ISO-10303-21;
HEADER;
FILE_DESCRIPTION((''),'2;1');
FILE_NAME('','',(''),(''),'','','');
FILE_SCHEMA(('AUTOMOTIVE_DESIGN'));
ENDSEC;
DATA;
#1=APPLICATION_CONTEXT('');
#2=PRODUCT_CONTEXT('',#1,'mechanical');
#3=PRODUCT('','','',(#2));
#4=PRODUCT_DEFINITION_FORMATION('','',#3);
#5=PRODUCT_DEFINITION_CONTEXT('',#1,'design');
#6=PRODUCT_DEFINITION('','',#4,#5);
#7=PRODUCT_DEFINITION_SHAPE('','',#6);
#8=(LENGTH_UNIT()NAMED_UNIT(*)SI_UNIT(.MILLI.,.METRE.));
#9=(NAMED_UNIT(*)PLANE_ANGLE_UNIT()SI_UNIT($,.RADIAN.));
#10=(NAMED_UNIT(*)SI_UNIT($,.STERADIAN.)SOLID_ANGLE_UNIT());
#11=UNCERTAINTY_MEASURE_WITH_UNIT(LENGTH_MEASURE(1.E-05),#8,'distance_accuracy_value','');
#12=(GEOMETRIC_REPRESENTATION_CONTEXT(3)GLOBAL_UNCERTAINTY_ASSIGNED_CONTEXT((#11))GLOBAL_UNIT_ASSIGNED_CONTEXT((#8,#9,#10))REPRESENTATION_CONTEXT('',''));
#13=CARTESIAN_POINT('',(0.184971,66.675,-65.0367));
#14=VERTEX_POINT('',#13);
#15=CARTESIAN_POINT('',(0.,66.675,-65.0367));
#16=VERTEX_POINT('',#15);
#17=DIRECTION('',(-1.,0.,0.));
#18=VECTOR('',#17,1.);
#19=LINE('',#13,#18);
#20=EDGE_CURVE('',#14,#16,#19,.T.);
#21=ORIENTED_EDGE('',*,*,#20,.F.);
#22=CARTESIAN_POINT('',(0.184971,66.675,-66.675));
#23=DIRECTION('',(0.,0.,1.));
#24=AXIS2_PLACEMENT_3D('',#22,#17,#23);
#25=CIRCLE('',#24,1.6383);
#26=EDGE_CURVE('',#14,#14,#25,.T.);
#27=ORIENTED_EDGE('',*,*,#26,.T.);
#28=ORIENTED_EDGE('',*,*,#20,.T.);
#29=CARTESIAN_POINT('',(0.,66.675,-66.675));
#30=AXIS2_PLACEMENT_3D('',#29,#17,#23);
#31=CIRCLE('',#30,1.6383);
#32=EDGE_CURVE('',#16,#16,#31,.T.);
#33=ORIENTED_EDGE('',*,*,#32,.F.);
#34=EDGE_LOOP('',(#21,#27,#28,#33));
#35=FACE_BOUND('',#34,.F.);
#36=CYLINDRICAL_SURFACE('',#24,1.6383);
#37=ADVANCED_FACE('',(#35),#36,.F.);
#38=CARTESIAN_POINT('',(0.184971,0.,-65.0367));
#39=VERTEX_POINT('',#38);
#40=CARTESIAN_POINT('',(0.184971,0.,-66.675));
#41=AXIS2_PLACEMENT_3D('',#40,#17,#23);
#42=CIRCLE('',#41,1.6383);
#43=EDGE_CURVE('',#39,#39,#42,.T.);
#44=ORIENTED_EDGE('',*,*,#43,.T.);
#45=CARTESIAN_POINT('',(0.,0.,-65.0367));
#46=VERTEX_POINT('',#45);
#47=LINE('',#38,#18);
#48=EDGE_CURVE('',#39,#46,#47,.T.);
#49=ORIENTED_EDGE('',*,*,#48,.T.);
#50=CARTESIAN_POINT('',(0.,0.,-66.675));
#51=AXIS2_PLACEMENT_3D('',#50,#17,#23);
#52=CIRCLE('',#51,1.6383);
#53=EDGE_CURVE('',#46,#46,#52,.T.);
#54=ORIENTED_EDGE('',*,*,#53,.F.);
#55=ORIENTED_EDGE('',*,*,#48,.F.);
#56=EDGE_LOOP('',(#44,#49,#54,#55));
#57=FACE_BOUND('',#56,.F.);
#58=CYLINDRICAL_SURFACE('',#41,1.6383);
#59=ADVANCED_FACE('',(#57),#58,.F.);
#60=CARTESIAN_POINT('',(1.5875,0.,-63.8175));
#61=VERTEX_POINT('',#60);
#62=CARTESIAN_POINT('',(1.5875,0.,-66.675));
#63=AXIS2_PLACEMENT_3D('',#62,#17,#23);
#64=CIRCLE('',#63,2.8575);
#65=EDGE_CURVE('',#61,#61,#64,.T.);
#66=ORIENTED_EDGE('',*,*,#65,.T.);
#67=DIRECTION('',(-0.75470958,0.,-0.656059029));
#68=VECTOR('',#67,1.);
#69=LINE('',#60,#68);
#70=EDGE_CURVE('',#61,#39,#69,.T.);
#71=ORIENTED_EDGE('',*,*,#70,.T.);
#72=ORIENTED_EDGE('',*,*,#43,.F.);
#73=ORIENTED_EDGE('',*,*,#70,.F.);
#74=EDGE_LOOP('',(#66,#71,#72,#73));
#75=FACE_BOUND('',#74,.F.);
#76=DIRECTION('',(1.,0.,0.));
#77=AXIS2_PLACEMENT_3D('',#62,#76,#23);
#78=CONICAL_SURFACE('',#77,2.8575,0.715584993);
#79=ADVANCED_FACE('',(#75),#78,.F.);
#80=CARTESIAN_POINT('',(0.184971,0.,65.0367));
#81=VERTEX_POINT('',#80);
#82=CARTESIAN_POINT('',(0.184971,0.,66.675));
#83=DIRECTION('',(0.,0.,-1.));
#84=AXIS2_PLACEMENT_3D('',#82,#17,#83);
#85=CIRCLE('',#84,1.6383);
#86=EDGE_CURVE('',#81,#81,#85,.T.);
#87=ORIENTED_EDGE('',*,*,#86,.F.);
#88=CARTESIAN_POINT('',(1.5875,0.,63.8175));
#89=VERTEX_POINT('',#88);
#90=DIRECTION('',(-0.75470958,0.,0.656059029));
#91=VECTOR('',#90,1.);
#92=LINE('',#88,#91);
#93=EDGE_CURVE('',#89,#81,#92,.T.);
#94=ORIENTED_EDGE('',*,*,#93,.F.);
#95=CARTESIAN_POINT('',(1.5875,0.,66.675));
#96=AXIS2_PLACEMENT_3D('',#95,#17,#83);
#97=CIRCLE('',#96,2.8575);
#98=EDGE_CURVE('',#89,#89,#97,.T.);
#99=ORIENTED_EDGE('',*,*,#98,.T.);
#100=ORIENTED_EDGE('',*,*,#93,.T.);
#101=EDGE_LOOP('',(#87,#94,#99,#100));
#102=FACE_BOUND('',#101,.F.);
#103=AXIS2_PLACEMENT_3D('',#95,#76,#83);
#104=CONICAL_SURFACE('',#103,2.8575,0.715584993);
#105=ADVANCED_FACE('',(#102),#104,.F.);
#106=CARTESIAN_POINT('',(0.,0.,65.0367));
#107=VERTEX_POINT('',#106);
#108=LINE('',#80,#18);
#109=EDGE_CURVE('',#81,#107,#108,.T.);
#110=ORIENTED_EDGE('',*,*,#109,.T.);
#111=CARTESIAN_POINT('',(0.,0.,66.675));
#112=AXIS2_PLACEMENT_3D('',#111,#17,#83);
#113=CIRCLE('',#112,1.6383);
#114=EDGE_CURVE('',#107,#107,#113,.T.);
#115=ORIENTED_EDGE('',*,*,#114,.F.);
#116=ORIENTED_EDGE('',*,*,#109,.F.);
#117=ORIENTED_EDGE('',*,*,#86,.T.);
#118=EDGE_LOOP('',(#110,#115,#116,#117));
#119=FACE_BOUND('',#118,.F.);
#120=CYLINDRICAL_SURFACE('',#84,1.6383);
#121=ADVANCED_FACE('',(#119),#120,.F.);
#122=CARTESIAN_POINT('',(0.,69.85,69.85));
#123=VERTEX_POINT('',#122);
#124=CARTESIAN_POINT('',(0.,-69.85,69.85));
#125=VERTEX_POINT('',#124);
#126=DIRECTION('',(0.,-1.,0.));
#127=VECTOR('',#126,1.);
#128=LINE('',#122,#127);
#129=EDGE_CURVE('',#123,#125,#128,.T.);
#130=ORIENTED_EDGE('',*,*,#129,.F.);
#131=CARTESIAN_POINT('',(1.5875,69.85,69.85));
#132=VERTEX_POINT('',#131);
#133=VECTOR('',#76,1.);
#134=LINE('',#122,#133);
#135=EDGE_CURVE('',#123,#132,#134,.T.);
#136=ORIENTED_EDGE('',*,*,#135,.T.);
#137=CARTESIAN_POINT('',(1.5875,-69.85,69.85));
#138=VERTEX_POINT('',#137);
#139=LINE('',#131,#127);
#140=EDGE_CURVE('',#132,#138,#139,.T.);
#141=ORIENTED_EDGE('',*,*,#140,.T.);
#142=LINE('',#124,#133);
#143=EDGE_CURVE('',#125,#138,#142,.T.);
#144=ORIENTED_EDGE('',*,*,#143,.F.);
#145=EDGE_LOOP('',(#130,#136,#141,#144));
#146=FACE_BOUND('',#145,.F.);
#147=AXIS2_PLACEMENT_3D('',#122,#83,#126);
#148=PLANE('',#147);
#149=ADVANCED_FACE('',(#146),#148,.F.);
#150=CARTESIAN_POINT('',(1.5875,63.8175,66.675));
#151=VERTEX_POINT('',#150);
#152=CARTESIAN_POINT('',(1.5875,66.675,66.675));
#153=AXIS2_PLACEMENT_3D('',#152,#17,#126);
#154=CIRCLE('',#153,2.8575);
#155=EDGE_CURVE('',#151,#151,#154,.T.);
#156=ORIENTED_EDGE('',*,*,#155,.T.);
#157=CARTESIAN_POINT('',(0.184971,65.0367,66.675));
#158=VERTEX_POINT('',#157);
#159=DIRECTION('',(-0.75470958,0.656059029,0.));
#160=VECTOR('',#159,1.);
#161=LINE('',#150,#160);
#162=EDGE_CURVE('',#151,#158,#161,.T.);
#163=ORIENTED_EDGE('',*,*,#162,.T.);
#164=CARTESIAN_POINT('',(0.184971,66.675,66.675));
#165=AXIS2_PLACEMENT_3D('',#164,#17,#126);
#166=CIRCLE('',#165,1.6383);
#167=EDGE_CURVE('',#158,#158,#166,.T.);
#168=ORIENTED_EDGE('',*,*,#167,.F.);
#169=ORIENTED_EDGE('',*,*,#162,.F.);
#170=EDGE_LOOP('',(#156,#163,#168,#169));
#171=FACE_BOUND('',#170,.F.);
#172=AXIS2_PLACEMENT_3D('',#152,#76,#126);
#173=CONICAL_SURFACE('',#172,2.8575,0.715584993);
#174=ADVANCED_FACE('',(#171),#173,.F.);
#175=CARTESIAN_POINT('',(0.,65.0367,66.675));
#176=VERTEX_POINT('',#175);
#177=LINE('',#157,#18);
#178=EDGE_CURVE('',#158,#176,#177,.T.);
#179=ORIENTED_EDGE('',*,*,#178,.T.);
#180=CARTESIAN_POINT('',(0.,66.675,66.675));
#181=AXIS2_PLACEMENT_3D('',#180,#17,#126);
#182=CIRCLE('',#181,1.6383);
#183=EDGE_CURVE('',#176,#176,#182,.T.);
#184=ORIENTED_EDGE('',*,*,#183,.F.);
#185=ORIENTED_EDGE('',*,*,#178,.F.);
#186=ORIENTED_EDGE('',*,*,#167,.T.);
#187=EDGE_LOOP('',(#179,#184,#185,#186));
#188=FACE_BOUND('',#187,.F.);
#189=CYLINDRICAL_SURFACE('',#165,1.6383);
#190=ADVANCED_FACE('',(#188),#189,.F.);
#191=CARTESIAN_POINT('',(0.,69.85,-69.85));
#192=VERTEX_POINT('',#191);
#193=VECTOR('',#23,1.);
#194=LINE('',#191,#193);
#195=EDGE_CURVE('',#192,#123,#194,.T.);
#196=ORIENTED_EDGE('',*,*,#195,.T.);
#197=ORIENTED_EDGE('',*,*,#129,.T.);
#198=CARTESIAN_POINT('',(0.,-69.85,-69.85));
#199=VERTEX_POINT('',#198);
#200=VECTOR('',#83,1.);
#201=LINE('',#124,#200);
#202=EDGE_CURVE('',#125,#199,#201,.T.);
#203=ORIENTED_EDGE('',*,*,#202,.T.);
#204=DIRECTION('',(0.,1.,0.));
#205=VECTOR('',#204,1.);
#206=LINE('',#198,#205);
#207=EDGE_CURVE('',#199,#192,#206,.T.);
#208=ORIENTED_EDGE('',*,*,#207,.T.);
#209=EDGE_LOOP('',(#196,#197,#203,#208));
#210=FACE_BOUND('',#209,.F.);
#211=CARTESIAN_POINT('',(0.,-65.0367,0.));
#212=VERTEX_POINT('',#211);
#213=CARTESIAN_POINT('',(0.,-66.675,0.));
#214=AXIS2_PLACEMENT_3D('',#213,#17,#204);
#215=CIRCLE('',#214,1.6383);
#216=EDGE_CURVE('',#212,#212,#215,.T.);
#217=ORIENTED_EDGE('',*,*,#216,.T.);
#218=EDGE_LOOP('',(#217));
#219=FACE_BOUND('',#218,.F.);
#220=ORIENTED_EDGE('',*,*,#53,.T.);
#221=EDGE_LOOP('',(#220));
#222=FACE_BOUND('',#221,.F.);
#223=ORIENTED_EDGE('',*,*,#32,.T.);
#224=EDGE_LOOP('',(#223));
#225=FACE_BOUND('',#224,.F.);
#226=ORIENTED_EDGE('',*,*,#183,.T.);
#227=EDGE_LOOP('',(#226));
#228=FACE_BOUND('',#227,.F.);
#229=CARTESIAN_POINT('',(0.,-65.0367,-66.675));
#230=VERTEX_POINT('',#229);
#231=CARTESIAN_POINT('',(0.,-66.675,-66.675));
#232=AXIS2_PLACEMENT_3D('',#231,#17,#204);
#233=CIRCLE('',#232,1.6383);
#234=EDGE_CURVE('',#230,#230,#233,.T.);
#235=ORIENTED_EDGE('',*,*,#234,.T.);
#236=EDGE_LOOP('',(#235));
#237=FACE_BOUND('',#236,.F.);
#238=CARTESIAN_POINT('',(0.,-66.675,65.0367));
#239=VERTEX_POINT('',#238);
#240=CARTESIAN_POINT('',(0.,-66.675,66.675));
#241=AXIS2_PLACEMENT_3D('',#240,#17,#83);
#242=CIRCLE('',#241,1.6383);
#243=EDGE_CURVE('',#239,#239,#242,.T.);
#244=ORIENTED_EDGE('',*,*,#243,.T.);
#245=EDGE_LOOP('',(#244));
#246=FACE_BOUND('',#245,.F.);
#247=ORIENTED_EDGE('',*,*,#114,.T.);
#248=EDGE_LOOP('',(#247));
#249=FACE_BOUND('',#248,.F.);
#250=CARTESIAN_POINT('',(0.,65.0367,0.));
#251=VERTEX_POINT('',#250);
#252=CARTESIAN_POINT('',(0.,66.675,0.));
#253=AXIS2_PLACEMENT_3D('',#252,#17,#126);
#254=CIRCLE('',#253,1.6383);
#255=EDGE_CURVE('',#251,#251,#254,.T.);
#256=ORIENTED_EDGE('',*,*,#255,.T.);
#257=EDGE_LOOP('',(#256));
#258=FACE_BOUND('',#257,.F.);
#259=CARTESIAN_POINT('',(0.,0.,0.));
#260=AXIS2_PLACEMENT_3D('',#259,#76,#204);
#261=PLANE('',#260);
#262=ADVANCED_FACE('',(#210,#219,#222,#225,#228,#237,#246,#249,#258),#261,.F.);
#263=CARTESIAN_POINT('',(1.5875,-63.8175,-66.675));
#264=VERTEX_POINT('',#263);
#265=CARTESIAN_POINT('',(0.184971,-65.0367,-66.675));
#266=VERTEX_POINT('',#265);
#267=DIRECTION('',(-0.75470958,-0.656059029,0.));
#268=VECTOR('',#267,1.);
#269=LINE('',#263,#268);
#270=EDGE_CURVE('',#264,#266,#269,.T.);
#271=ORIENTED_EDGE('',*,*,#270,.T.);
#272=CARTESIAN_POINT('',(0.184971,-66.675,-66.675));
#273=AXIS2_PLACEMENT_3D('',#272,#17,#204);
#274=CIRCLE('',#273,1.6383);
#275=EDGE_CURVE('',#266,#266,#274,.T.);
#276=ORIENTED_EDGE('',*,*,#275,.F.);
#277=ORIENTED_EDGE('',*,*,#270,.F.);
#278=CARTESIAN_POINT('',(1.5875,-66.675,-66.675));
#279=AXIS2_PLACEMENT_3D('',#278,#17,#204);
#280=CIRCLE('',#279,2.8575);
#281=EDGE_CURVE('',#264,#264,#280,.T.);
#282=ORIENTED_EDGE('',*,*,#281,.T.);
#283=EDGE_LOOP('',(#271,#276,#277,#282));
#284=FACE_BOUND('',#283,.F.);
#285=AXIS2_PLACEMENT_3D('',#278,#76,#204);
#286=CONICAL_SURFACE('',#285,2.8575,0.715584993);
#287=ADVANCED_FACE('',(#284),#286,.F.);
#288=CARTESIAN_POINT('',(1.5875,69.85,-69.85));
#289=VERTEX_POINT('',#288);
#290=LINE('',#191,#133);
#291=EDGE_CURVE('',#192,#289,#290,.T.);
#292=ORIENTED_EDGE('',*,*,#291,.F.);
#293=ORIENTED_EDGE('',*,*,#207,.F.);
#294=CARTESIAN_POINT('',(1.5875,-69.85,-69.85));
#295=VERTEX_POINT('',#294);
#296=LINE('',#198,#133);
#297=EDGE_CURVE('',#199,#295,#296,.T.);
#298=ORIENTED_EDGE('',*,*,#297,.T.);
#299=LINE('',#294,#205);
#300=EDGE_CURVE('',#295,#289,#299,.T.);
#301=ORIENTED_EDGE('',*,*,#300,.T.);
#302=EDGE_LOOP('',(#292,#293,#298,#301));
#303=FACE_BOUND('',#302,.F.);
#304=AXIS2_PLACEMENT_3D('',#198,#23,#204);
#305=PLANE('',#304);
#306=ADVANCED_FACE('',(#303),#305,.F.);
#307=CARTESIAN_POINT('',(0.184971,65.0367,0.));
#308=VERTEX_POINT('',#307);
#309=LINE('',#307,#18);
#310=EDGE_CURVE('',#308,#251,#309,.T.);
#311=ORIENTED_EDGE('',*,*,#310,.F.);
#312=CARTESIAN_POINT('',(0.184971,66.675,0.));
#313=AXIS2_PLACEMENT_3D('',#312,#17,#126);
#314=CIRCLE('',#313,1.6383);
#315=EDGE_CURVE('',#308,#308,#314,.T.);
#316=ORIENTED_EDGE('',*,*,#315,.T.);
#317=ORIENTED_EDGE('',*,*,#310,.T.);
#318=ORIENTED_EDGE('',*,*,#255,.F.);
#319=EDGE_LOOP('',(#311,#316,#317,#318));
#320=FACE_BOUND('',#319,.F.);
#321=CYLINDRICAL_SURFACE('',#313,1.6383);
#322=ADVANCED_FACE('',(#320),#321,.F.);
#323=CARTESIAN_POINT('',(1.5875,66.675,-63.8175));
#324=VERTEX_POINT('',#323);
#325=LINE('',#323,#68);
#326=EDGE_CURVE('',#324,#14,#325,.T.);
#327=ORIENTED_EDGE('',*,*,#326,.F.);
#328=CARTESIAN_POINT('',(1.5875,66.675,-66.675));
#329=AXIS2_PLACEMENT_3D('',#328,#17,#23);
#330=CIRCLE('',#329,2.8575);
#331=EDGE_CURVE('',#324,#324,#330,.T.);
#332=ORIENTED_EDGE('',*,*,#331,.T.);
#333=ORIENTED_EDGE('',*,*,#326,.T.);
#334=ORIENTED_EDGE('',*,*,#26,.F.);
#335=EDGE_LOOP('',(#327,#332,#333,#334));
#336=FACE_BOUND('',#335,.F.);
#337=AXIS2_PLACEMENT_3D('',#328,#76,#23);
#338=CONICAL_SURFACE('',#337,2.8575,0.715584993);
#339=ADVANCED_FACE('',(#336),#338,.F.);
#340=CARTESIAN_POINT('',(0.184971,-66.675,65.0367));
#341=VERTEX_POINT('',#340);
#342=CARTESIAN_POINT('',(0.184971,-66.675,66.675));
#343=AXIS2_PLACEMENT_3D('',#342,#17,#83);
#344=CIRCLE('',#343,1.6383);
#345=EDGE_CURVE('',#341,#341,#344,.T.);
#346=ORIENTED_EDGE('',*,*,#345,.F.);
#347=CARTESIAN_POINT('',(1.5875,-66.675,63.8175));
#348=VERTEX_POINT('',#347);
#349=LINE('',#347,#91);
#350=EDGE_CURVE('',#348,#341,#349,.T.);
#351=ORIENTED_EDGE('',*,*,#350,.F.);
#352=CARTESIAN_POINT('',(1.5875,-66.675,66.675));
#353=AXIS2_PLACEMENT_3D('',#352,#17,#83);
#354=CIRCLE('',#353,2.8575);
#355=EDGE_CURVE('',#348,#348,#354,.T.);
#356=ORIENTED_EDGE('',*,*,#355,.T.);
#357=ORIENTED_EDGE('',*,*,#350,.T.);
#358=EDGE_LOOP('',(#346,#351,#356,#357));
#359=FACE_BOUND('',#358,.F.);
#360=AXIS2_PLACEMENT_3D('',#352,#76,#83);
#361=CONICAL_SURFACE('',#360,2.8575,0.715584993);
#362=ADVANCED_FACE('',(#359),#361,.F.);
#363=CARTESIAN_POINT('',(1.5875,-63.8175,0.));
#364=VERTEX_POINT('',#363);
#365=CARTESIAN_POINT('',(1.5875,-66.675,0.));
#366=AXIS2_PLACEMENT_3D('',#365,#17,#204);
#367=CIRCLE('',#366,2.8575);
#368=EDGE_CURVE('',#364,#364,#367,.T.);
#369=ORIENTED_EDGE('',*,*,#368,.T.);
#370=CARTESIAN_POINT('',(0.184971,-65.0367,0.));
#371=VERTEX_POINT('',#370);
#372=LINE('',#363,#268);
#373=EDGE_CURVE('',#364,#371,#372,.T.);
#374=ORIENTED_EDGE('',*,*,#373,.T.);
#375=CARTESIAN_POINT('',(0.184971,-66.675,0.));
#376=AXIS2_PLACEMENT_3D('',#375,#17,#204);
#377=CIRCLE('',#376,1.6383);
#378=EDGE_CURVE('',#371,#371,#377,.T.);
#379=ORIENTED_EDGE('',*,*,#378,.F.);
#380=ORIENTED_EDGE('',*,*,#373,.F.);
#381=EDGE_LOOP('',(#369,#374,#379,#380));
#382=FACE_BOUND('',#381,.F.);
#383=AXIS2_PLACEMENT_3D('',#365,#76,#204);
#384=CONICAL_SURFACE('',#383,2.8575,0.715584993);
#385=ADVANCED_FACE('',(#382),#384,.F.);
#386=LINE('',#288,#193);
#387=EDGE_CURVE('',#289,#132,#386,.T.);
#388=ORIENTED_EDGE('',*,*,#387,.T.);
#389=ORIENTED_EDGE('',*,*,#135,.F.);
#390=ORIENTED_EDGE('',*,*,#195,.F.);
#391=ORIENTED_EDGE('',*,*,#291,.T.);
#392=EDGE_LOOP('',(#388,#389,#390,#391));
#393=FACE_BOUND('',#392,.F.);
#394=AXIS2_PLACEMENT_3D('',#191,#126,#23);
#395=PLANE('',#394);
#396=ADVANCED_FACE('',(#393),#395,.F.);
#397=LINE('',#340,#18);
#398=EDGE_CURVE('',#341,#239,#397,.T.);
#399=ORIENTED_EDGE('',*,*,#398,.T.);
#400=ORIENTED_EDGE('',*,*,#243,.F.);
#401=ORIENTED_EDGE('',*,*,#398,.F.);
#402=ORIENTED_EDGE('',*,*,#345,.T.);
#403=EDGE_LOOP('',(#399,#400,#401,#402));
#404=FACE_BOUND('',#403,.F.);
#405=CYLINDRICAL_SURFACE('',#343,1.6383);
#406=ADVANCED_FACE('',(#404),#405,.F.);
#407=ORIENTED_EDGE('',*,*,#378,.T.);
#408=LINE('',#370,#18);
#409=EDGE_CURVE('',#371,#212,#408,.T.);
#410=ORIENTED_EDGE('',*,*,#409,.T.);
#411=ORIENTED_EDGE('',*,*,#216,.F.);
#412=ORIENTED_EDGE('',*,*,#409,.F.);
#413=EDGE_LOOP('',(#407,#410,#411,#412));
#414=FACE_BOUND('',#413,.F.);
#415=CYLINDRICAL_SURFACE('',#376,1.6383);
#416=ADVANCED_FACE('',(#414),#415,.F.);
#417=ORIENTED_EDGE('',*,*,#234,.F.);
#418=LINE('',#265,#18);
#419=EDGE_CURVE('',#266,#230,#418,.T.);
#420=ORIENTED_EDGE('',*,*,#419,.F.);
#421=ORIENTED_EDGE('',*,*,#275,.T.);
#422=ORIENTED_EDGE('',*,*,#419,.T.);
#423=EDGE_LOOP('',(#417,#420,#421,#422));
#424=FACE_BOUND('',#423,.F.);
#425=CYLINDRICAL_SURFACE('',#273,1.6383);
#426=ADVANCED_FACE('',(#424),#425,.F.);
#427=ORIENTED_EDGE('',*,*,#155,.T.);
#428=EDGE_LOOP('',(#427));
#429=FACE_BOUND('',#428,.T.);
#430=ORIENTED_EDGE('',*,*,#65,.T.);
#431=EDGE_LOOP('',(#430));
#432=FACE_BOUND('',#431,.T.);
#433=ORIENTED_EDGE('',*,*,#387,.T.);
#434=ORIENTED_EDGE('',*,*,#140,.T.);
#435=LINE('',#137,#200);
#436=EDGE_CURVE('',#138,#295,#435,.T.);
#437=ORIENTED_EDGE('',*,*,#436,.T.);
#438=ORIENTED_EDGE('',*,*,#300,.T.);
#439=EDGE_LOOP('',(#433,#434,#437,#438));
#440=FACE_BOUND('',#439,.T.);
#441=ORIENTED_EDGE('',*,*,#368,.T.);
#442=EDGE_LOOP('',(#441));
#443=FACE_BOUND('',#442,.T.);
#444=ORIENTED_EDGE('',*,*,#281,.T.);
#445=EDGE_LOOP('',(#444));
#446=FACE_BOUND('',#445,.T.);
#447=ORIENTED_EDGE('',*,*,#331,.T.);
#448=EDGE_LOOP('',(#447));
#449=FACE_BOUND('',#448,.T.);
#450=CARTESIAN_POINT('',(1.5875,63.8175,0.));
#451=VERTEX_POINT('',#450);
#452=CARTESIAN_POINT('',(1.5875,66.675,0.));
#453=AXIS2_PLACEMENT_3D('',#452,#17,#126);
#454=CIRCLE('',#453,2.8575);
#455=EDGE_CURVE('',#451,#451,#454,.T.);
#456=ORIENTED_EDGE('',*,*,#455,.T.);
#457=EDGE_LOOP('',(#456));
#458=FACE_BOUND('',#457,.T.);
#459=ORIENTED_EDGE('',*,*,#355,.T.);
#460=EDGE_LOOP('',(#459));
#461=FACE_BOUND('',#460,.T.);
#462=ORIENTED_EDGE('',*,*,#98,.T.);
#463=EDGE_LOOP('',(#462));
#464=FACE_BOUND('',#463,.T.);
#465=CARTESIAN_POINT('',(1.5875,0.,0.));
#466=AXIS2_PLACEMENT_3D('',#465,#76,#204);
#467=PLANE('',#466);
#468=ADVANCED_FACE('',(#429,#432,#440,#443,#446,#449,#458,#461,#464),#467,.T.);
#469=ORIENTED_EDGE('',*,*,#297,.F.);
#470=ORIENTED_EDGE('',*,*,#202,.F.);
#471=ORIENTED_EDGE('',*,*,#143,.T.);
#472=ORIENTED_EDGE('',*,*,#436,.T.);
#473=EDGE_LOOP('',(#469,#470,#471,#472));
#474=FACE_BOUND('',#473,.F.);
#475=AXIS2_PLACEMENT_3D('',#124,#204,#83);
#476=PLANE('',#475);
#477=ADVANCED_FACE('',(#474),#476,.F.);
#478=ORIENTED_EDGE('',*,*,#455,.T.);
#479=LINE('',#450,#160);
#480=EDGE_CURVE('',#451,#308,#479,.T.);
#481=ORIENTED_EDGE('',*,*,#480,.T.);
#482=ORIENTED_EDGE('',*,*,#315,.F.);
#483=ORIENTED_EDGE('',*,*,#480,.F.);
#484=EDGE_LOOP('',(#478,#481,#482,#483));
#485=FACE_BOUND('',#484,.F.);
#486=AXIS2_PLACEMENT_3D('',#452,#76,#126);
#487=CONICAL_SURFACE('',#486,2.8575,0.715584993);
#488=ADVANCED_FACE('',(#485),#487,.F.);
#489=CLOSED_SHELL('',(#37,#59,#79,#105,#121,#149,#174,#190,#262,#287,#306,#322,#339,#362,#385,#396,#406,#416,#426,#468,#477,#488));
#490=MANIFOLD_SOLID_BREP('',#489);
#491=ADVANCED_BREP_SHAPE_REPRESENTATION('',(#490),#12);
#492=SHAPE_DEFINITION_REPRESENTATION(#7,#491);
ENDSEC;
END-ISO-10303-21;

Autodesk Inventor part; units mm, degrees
ref_plane "YZ Plane" through (0, 0, 0) normal (1, 0, 0) x (0, 1, 0)
ref_plane "XZ Plane" through (0, 0, 0) normal (0, 1, 0) x (-1, 0, 0)
ref_plane "XY Plane" through (0, 0, 0) normal (0, 0, 1) x (1, 0, 0)
sketch "Sketch1" plane through (0, 0, 0) normal (1, 0, 0) x (0, 1, 0)
  line L0 (-69.85, -69.85) -> (69.85, -69.85)
  line L1 (69.85, -69.85) -> (69.85, 69.85)
  line L2 (69.85, 69.85) -> (-69.85, 69.85)
  line L3 (-69.85, 69.85) -> (-69.85, -69.85)
  line L4 (-69.85, -69.85) -> (69.85, 69.85) construction
  line L5 (69.85, -69.85) -> (-69.85, 69.85) construction
  point P0 (0, 0)
  dimension "d0" = 139.7
  dimension "d1" = 139.7
extrude "Extrusion1" add sketch "Sketch1" along normal blind 1.5875
sketch "Sketch6" plane through (1.5875, 0, 0) normal (1, 0, 0) x (0, 0, -1)
  line L0 (69.85, -69.85) -> (69.85, 69.85) projected
  line L1 (69.85, 69.85) -> (-69.85, 69.85) projected
  line L2 (-69.85, 69.85) -> (-69.85, -69.85) projected
  line L3 (-69.85, -69.85) -> (69.85, -69.85) projected
  point P0 (0, 0)
  point P1 (-66.675, -66.675)
  point P2 (-66.675, 0)
  dimension "d45" = 3.175
  dimension "d46" = 3.175
  dimension "d57" = 69.85
hole "Hole4" at (1.5875, -66.675, 66.675) at (1.5875, 0, 66.675) direction (-1, 0, 0) diameter 3.2766 end through all countersink diameter 5.715 countersink angle 82 clearance for "Flat Head Machine Screw (82)" size "#4" standard "Ansi Unified Screw Threads"
pattern_circular "Circular Pattern1" count 4 over 360 about axis through (-10, 0, 0) along (1, 0, 0) of "Hole4"
equation "\"d0\" = width + 2 * plasticThickness"
equation "\"d1\" = height + 2 * plasticThickness"
equation "\"d2\" = frontPanelThickness"
equation "\"d45\" = 0.5 * caseThickness"
equation "\"d46\" = 0.5 * caseThickness"
equation "\"d57\" = 0.5 * width + caseThickness"
equation "\"height\" = 127"
equation "\"width\" = 127"
equation "\"plasticThickness\" = 6.35"
equation "\"caseThickness\" = 6.35"
equation "\"alignmentGrooveDepth\" = 1.5875"
equation "\"alignmentGrooveClearance\" = 0.1016"
equation "\"aerogelHolderDepth\" = 49.022"
equation "\"depth\" = 203.2"
equation "\"mirrorAngle\" = 2.5deg"
equation "\"mirrorThickness\" = 3.175"
equation "\"fresnelThickness\" = 0.254"
equation "\"focalLength\" = 152.4"
equation "\"ior\" = 1.49"
equation "\"centerThickness\" = 1.27"
equation "\"fresnelAngle\" = 90deg"
equation "\"fresnelEffectiveDiameter\" = 152.4"
equation "\"frontPanelThickness\" = 1.5875"
equation "\"fresnelGrooveWidth\" = 1.778"
properties part number "front" material "Aluminum 6061"
